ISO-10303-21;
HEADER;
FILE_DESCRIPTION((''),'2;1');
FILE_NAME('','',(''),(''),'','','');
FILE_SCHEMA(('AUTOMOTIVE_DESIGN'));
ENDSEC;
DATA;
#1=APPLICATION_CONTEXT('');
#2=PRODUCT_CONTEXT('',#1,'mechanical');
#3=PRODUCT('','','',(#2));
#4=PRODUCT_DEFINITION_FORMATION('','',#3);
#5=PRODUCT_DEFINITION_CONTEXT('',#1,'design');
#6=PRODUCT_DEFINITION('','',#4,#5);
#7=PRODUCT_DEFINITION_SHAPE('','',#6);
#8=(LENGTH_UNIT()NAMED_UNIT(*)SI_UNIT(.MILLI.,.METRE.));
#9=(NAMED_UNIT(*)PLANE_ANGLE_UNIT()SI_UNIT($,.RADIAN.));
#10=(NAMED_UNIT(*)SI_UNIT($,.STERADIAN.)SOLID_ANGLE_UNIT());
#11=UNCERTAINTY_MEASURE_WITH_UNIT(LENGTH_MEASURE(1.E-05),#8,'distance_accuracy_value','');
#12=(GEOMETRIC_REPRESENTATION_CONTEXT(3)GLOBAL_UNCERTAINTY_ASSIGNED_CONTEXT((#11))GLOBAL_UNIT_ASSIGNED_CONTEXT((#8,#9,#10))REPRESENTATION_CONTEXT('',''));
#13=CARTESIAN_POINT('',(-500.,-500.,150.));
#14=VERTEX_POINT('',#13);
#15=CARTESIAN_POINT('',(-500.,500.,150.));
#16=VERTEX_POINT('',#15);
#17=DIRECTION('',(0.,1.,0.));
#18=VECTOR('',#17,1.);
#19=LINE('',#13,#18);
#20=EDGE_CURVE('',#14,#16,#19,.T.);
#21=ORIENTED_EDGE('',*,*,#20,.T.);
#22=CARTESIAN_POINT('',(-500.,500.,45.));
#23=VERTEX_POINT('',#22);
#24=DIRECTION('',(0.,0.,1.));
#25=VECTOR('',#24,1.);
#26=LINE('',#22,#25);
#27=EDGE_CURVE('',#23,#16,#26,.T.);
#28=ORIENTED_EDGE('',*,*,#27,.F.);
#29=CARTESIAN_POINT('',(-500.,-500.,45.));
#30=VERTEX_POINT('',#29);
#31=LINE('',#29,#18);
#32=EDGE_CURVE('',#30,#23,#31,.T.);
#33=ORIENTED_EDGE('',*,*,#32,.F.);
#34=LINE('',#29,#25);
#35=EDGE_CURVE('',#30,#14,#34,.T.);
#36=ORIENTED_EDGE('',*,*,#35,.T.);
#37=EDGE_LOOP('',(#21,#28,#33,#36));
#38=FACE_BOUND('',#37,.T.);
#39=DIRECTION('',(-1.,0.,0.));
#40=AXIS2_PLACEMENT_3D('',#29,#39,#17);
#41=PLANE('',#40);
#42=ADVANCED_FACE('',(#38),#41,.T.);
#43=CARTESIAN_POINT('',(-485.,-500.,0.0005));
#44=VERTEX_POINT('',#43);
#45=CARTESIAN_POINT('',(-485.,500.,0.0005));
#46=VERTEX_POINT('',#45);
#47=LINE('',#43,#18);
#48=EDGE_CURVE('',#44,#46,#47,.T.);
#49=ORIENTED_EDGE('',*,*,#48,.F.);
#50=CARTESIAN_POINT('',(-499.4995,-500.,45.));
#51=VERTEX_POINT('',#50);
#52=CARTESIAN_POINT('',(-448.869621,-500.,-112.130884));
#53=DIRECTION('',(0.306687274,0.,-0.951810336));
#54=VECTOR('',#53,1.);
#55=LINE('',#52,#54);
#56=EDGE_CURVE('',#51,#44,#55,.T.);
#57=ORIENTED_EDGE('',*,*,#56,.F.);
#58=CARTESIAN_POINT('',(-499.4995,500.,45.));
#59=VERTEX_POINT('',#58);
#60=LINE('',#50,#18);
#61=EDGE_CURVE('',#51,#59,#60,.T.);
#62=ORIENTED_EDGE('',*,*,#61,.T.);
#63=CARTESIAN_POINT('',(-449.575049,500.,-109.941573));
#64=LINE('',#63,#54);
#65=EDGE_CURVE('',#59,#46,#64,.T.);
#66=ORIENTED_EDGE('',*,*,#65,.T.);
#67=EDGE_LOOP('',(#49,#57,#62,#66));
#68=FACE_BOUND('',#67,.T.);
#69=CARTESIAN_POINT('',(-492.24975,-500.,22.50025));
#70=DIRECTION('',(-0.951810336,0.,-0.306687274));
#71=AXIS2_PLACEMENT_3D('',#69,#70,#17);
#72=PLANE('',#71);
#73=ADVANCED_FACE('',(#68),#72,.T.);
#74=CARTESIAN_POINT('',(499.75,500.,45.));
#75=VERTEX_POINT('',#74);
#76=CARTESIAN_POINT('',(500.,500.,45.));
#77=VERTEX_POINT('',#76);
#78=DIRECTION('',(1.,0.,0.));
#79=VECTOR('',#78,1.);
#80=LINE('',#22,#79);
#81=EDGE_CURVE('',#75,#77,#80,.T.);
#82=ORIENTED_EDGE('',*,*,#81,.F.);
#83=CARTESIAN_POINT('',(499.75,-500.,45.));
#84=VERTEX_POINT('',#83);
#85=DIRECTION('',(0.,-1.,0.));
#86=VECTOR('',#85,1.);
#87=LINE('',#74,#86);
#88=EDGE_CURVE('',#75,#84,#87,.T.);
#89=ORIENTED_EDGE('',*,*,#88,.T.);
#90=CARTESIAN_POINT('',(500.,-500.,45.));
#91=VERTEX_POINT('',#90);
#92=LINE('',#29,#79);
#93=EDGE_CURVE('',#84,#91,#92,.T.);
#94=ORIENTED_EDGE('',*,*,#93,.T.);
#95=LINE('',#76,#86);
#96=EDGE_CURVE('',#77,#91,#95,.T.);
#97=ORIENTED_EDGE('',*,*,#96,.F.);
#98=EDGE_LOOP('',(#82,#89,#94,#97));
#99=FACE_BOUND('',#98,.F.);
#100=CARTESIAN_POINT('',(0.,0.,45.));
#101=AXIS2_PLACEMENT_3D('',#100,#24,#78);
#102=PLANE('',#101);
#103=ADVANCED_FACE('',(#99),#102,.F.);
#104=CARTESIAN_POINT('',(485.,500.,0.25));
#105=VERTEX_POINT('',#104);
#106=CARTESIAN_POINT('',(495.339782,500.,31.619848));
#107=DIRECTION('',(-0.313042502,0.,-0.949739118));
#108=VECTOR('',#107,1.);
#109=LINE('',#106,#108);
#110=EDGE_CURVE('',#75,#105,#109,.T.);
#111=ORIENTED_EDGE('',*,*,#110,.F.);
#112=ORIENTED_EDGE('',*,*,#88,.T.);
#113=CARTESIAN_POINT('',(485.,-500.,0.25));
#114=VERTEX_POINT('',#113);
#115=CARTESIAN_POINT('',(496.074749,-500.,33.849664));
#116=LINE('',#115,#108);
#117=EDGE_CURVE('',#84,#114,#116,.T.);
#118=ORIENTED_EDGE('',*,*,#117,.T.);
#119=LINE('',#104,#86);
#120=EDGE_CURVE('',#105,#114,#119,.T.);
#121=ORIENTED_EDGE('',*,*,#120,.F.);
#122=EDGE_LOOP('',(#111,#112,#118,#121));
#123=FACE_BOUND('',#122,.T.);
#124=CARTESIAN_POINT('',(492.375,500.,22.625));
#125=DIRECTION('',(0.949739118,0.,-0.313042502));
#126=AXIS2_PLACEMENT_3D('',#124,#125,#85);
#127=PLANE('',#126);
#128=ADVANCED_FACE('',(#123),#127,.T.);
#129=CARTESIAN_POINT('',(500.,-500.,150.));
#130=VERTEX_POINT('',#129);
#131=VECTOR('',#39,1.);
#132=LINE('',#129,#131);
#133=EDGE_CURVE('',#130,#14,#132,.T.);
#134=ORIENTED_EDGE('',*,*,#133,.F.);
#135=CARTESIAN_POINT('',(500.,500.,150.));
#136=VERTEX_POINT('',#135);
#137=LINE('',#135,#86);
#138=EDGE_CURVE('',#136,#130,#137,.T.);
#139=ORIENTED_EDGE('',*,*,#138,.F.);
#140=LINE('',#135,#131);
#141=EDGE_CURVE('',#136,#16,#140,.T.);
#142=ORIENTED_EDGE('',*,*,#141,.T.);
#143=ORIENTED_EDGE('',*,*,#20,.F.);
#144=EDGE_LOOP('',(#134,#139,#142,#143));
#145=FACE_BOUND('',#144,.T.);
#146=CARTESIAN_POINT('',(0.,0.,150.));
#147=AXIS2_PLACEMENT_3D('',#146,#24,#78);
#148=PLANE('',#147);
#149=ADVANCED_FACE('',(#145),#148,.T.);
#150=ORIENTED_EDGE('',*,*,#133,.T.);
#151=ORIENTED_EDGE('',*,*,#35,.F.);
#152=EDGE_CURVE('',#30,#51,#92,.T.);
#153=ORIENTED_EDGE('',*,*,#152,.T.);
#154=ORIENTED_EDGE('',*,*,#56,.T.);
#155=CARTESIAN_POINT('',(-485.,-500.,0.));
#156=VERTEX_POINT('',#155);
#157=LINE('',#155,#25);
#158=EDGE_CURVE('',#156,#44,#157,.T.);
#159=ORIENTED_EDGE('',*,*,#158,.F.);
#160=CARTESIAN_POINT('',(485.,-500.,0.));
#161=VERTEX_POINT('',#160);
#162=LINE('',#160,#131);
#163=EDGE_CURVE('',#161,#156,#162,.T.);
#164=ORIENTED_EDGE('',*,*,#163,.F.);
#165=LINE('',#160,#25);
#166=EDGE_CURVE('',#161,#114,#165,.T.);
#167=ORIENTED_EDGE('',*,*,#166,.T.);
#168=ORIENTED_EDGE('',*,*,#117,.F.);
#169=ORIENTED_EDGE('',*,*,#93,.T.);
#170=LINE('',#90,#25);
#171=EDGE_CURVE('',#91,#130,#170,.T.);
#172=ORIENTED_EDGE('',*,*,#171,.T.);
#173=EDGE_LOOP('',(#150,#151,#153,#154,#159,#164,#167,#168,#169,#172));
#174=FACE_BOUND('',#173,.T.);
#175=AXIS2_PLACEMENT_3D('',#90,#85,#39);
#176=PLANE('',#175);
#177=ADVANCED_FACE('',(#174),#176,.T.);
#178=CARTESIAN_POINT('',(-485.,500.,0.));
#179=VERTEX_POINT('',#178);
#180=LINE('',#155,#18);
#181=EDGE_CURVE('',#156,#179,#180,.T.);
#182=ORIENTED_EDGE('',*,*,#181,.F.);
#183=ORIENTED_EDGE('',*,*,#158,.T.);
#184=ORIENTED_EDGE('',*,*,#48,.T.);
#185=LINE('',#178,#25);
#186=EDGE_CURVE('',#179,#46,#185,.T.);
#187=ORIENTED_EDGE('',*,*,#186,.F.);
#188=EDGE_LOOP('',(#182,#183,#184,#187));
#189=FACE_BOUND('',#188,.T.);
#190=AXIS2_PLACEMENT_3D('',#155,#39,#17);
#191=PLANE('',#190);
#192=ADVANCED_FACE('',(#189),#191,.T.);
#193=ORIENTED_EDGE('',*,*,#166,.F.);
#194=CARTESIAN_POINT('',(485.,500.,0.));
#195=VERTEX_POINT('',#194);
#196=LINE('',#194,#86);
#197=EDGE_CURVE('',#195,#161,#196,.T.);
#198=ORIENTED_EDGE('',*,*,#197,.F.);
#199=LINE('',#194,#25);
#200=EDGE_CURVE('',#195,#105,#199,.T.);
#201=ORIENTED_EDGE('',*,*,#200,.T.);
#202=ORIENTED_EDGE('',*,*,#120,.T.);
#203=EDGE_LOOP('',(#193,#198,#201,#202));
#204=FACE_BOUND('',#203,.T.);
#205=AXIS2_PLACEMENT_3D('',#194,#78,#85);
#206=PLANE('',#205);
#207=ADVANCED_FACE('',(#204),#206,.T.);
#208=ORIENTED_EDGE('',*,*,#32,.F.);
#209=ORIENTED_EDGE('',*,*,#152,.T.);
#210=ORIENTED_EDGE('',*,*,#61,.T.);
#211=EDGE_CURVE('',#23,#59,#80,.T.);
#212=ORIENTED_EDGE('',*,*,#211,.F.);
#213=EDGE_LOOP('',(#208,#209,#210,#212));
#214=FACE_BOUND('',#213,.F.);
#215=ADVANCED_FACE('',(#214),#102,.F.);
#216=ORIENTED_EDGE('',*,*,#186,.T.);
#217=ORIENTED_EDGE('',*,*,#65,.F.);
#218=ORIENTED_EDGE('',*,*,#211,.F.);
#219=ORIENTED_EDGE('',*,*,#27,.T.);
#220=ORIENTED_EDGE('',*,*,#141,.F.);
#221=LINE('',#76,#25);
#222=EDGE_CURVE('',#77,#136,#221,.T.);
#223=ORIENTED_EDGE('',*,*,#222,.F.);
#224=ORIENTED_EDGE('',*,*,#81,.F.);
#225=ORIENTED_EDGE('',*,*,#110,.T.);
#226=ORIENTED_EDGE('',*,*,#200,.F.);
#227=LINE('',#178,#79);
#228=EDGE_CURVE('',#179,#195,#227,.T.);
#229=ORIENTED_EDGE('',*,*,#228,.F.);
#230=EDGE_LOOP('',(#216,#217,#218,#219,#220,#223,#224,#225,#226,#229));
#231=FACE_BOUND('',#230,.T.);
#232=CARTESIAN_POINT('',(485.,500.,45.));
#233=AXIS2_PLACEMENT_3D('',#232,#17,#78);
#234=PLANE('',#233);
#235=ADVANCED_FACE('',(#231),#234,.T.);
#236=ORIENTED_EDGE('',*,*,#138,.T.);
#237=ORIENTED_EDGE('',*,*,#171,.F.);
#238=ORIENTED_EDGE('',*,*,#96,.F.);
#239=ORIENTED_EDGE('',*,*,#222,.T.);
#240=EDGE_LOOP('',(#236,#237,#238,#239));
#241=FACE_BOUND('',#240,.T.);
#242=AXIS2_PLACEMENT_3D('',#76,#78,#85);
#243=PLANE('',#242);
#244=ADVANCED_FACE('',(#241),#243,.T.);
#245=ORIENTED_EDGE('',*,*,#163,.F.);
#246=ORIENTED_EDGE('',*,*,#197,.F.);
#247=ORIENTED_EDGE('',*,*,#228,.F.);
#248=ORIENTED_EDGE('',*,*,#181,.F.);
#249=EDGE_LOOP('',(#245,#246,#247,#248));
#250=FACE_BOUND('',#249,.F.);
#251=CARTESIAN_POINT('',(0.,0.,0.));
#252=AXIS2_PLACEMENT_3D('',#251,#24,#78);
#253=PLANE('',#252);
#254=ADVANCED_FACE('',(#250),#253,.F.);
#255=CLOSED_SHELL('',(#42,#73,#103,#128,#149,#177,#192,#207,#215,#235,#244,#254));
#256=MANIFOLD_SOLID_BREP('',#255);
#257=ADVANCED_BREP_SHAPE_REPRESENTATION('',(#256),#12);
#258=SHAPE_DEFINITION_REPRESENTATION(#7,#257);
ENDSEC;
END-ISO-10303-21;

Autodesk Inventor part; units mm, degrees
ref_plane "YZ Plane" through (0, 0, 0) normal (1, 0, 0) x (0, 1, 0)
ref_plane "XZ Plane" through (0, 0, 0) normal (0, 1, 0) x (-1, 0, 0)
ref_plane "XY Plane" through (0, 0, 0) normal (0, 0, 1) x (1, 0, 0)
sketch "草图1" plane through (0, 0, 0) normal (0, 0, 1) x (1, 0, 0)
  line L0 (485, -500) -> (-485, -500)
  line L1 (-485, -500) -> (-485, 500)
  line L2 (-485, 500) -> (485, 500)
  line L3 (485, 500) -> (485, -500)
  line L4 (485, -500) -> (-485, 500) construction
  line L5 (-485, -500) -> (485, 500) construction
  point P0 (0, 0)
  dimension "d0" = 1000
  dimension "d1" = 970
extrude "拉伸1" add sketch "草图1" along normal blind 45
sketch "草图2" plane through (0, 0, 45) normal (0, 0, 1) x (1, 0, 0)
  line L0 (500, -500) -> (-500, -500)
  line L1 (-500, -500) -> (-500, 500)
  line L2 (-500, 500) -> (500, 500)
  line L3 (500, 500) -> (500, -500)
  line L4 (500, -500) -> (-500, 500) construction
  line L5 (-500, -500) -> (500, 500) construction
  line L6 (485, 500) -> (-485, 500) projected
  line L7 (-485, 500) -> (-485, -500) projected
  point P0 (0, 0)
  point P1 (-485, 500)
  dimension "d5" = 1000
extrude "拉伸2" add sketch "草图2" along normal blind 105
chamfer "倒角1" distance 14.5 distance2 45 1 edges at (-485, 0, 45) measured on face at (-490, 166.6667, 45)
chamfer "倒角2" distance 14.75 distance2 44.75 1 edges at (485, 0, 45) measured on face at (495, 166.6667, 45)
